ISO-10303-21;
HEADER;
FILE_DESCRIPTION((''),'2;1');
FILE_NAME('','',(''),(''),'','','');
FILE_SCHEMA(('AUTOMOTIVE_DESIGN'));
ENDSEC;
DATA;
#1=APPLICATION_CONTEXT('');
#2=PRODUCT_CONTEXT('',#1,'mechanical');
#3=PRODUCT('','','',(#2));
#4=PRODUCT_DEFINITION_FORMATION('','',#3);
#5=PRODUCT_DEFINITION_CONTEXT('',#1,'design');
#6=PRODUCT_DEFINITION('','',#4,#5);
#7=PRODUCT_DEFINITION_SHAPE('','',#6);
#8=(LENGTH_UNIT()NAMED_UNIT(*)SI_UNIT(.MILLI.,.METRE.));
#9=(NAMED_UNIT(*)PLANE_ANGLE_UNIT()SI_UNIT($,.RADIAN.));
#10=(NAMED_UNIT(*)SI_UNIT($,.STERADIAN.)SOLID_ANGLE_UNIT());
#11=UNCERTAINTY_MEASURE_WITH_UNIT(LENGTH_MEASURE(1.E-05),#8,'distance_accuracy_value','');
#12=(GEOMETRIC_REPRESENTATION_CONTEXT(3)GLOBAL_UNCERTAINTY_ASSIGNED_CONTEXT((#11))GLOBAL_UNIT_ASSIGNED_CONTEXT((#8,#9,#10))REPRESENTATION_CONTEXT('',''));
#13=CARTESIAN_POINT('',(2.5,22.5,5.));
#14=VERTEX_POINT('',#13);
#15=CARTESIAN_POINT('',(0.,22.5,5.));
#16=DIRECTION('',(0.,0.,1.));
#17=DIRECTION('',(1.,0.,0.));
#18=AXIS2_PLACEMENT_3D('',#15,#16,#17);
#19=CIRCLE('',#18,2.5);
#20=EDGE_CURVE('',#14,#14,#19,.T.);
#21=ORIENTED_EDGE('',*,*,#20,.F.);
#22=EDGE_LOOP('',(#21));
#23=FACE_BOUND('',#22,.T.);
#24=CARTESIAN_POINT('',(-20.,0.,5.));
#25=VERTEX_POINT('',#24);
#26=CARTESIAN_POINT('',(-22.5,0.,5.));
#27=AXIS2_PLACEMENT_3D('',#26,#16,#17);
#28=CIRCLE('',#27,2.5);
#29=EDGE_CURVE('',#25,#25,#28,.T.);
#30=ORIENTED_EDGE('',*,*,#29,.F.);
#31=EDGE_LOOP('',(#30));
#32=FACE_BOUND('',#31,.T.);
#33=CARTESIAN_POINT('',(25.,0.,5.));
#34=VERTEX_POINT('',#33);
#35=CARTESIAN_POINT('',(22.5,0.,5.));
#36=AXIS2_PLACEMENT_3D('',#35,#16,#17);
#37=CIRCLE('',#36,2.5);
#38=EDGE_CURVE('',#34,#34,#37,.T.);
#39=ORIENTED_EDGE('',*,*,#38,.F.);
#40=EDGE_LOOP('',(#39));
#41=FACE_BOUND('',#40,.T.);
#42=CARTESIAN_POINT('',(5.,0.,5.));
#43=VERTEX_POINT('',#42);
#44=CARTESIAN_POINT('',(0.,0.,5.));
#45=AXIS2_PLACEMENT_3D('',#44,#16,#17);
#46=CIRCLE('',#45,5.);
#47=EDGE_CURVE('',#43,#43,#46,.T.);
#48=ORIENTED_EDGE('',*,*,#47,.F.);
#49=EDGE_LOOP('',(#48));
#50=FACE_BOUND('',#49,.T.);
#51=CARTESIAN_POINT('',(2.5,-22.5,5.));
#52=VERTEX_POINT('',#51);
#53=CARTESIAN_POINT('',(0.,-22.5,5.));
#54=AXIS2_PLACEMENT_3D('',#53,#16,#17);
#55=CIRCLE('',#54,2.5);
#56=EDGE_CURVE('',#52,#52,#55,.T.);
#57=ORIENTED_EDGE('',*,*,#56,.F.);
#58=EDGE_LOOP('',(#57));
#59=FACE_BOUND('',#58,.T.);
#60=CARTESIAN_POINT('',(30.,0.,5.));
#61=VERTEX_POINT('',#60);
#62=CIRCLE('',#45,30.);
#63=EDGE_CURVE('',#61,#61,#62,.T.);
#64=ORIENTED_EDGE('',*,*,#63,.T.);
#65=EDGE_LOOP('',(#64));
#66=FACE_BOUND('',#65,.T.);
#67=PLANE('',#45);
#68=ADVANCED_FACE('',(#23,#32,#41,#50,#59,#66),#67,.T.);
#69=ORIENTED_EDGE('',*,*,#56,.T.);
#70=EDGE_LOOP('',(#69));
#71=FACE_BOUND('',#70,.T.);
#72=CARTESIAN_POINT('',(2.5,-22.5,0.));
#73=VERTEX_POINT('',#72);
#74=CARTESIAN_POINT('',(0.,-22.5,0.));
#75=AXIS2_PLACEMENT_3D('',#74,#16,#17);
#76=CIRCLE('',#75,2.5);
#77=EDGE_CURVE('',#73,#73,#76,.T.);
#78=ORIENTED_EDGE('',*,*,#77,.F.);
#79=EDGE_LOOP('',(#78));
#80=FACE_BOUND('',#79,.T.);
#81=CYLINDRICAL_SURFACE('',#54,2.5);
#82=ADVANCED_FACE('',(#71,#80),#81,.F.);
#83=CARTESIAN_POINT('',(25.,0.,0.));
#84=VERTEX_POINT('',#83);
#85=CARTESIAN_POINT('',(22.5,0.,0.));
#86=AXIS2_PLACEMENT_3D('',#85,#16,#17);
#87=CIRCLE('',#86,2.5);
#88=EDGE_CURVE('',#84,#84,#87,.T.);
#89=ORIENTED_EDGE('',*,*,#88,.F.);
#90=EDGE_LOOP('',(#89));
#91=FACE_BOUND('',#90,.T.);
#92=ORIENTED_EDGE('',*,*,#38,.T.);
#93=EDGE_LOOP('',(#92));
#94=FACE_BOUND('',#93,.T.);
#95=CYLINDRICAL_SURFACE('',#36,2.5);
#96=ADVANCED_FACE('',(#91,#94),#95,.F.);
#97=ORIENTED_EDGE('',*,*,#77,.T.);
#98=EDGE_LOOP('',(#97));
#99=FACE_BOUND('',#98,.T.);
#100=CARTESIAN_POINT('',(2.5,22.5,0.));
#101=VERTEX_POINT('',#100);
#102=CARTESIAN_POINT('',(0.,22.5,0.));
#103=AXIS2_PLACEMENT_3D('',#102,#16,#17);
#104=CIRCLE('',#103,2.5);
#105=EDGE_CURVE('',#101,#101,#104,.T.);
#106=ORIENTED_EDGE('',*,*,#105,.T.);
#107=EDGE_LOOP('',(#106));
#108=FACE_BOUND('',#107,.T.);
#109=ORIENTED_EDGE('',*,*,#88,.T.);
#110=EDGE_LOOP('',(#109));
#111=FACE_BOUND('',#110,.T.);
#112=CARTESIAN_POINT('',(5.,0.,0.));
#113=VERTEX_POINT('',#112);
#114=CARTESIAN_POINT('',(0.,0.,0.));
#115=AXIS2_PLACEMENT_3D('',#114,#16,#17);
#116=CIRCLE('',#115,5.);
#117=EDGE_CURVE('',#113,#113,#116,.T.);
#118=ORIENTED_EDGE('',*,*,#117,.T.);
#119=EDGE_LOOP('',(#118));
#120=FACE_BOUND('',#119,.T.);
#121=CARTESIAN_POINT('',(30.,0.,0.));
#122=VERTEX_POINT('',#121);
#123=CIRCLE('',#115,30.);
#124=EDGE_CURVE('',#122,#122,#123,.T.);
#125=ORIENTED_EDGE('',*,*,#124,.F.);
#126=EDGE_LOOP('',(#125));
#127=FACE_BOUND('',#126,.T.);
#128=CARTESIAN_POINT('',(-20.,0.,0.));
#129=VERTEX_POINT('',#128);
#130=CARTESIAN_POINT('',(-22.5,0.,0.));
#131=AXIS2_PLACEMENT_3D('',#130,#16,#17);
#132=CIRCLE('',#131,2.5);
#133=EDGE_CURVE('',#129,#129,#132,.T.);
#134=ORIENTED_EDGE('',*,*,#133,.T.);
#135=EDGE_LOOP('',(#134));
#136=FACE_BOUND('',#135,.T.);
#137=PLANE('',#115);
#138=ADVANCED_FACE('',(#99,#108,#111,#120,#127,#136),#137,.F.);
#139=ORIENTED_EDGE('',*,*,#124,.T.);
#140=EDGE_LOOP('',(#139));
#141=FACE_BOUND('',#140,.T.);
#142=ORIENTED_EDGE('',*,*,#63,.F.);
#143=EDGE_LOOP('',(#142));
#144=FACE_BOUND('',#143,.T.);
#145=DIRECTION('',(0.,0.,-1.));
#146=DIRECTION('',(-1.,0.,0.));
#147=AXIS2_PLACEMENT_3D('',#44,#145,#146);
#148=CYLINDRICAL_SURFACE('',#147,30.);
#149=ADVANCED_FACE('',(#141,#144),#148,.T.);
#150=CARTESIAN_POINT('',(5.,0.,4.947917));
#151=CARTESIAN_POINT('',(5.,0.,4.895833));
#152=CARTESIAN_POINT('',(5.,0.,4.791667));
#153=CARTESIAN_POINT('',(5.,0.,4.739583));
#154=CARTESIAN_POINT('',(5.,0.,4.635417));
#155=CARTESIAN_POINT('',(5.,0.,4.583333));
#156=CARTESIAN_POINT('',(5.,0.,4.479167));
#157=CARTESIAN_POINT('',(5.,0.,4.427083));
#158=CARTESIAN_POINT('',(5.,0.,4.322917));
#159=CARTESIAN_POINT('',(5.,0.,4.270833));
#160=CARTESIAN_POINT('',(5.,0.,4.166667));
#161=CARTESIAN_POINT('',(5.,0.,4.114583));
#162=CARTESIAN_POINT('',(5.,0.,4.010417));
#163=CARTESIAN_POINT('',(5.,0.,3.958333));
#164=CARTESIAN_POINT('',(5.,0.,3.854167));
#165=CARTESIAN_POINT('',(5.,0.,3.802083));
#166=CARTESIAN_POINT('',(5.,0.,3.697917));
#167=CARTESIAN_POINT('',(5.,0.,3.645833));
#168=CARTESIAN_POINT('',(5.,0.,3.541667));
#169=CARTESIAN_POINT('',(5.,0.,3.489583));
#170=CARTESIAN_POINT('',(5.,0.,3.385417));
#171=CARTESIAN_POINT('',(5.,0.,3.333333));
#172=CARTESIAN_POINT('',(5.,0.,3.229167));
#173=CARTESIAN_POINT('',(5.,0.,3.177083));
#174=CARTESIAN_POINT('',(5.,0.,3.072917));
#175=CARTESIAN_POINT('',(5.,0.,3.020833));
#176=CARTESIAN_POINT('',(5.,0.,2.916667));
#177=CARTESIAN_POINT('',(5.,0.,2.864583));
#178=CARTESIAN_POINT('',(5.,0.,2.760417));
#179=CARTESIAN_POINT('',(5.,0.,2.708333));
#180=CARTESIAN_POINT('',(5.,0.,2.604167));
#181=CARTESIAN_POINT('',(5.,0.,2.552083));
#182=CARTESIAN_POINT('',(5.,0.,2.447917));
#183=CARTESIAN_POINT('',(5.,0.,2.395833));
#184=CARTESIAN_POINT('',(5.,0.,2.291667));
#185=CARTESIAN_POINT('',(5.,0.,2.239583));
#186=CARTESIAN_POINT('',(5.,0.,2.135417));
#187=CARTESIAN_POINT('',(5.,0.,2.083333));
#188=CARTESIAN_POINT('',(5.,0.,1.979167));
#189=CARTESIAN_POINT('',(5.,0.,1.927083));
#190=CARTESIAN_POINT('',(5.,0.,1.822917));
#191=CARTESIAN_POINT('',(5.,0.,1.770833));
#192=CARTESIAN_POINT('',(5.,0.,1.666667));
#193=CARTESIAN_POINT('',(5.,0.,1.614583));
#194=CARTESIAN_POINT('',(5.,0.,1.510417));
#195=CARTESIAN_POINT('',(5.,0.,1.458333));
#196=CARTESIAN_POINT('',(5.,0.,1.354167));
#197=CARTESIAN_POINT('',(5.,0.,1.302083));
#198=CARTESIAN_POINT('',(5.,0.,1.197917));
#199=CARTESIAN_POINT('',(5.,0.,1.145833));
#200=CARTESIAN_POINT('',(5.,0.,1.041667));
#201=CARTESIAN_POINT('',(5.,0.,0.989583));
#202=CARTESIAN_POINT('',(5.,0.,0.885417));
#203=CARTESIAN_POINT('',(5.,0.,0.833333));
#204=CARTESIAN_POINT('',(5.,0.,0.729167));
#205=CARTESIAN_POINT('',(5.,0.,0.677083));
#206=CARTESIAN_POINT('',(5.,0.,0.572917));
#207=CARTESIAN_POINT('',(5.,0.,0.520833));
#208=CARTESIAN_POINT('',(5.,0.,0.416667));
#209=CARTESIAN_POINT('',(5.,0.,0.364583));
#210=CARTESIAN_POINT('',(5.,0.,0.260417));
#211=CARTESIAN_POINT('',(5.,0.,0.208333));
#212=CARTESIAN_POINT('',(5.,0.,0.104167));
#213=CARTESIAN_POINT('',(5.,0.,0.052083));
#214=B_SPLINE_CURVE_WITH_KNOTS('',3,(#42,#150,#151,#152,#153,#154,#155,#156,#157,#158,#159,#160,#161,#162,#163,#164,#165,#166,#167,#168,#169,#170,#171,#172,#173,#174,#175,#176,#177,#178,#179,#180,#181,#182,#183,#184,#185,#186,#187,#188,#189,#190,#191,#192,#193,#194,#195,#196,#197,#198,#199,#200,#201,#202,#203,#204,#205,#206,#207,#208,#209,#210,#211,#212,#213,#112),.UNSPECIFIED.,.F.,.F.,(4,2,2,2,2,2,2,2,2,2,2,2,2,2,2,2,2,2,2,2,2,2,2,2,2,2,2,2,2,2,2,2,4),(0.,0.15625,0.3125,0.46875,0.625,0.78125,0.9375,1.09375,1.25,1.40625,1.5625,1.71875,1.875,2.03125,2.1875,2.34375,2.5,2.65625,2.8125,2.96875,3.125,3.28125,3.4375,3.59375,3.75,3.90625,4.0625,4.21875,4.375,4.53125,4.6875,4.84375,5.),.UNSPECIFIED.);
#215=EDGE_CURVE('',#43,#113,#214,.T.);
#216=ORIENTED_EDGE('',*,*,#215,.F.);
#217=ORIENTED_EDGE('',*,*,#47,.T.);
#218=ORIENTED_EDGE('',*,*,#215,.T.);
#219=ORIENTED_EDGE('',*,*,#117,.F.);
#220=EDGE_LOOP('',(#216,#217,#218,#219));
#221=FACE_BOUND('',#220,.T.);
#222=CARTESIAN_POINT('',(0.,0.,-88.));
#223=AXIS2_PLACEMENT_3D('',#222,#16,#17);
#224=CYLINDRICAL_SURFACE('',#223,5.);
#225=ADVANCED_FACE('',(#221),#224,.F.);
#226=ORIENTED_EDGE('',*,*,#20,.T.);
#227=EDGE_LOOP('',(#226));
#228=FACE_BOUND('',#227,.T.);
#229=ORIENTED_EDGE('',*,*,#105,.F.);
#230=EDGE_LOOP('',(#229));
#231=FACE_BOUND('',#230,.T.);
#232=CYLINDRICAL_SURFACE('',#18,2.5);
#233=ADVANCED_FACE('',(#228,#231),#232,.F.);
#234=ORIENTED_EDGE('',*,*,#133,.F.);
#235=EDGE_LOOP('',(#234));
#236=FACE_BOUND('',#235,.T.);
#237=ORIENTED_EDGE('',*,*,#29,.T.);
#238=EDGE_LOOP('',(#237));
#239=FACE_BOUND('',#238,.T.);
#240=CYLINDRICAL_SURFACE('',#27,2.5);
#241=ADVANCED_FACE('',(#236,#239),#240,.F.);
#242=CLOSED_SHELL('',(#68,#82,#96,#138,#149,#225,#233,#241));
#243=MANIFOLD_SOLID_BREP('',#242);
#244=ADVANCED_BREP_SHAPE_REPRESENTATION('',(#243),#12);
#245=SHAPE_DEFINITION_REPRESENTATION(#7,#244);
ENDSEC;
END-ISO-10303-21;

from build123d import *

# Parameters (mm, degrees)
SKETCH_1_R             = 30
EXTRUDE_1_DEPTH        = 5
SKETCH_2_R             = 5
CUT_EXTRUDE_1_DEPTH    = 93
HOLE_WIZARD_M6_1_D     = 5
HOLE_WIZARD_M6_1_DEPTH = 15
HOLE_WIZARD_M6_1_TIP   = 1.502151548


with BuildPart() as part:
    # 草图1 → 凸台-拉伸1 (new body)
    with BuildSketch(Plane.XY):
        Circle(SKETCH_1_R)
    extrude(amount=EXTRUDE_1_DEPTH)

    # 草图2 → 切除-拉伸1 (cut)
    with BuildSketch(Plane.XY.offset(5)):
        Circle(SKETCH_2_R)
    extrude(amount=-CUT_EXTRUDE_1_DEPTH, mode=Mode.SUBTRACT)

    # M6 螺纹孔1
    with Locations(Plane.XY.offset(5)):
        with Locations((22.5, 0), (0, 22.5), (0, -22.5), (-22.5, 0)):
            Hole(HOLE_WIZARD_M6_1_D / 2, depth=HOLE_WIZARD_M6_1_DEPTH)
            with Locations((0, 0, -(HOLE_WIZARD_M6_1_DEPTH + HOLE_WIZARD_M6_1_TIP / 2))):  # 118° drill point
                Cone(0, HOLE_WIZARD_M6_1_D / 2, HOLE_WIZARD_M6_1_TIP, mode=Mode.SUBTRACT)


solid = part.part
